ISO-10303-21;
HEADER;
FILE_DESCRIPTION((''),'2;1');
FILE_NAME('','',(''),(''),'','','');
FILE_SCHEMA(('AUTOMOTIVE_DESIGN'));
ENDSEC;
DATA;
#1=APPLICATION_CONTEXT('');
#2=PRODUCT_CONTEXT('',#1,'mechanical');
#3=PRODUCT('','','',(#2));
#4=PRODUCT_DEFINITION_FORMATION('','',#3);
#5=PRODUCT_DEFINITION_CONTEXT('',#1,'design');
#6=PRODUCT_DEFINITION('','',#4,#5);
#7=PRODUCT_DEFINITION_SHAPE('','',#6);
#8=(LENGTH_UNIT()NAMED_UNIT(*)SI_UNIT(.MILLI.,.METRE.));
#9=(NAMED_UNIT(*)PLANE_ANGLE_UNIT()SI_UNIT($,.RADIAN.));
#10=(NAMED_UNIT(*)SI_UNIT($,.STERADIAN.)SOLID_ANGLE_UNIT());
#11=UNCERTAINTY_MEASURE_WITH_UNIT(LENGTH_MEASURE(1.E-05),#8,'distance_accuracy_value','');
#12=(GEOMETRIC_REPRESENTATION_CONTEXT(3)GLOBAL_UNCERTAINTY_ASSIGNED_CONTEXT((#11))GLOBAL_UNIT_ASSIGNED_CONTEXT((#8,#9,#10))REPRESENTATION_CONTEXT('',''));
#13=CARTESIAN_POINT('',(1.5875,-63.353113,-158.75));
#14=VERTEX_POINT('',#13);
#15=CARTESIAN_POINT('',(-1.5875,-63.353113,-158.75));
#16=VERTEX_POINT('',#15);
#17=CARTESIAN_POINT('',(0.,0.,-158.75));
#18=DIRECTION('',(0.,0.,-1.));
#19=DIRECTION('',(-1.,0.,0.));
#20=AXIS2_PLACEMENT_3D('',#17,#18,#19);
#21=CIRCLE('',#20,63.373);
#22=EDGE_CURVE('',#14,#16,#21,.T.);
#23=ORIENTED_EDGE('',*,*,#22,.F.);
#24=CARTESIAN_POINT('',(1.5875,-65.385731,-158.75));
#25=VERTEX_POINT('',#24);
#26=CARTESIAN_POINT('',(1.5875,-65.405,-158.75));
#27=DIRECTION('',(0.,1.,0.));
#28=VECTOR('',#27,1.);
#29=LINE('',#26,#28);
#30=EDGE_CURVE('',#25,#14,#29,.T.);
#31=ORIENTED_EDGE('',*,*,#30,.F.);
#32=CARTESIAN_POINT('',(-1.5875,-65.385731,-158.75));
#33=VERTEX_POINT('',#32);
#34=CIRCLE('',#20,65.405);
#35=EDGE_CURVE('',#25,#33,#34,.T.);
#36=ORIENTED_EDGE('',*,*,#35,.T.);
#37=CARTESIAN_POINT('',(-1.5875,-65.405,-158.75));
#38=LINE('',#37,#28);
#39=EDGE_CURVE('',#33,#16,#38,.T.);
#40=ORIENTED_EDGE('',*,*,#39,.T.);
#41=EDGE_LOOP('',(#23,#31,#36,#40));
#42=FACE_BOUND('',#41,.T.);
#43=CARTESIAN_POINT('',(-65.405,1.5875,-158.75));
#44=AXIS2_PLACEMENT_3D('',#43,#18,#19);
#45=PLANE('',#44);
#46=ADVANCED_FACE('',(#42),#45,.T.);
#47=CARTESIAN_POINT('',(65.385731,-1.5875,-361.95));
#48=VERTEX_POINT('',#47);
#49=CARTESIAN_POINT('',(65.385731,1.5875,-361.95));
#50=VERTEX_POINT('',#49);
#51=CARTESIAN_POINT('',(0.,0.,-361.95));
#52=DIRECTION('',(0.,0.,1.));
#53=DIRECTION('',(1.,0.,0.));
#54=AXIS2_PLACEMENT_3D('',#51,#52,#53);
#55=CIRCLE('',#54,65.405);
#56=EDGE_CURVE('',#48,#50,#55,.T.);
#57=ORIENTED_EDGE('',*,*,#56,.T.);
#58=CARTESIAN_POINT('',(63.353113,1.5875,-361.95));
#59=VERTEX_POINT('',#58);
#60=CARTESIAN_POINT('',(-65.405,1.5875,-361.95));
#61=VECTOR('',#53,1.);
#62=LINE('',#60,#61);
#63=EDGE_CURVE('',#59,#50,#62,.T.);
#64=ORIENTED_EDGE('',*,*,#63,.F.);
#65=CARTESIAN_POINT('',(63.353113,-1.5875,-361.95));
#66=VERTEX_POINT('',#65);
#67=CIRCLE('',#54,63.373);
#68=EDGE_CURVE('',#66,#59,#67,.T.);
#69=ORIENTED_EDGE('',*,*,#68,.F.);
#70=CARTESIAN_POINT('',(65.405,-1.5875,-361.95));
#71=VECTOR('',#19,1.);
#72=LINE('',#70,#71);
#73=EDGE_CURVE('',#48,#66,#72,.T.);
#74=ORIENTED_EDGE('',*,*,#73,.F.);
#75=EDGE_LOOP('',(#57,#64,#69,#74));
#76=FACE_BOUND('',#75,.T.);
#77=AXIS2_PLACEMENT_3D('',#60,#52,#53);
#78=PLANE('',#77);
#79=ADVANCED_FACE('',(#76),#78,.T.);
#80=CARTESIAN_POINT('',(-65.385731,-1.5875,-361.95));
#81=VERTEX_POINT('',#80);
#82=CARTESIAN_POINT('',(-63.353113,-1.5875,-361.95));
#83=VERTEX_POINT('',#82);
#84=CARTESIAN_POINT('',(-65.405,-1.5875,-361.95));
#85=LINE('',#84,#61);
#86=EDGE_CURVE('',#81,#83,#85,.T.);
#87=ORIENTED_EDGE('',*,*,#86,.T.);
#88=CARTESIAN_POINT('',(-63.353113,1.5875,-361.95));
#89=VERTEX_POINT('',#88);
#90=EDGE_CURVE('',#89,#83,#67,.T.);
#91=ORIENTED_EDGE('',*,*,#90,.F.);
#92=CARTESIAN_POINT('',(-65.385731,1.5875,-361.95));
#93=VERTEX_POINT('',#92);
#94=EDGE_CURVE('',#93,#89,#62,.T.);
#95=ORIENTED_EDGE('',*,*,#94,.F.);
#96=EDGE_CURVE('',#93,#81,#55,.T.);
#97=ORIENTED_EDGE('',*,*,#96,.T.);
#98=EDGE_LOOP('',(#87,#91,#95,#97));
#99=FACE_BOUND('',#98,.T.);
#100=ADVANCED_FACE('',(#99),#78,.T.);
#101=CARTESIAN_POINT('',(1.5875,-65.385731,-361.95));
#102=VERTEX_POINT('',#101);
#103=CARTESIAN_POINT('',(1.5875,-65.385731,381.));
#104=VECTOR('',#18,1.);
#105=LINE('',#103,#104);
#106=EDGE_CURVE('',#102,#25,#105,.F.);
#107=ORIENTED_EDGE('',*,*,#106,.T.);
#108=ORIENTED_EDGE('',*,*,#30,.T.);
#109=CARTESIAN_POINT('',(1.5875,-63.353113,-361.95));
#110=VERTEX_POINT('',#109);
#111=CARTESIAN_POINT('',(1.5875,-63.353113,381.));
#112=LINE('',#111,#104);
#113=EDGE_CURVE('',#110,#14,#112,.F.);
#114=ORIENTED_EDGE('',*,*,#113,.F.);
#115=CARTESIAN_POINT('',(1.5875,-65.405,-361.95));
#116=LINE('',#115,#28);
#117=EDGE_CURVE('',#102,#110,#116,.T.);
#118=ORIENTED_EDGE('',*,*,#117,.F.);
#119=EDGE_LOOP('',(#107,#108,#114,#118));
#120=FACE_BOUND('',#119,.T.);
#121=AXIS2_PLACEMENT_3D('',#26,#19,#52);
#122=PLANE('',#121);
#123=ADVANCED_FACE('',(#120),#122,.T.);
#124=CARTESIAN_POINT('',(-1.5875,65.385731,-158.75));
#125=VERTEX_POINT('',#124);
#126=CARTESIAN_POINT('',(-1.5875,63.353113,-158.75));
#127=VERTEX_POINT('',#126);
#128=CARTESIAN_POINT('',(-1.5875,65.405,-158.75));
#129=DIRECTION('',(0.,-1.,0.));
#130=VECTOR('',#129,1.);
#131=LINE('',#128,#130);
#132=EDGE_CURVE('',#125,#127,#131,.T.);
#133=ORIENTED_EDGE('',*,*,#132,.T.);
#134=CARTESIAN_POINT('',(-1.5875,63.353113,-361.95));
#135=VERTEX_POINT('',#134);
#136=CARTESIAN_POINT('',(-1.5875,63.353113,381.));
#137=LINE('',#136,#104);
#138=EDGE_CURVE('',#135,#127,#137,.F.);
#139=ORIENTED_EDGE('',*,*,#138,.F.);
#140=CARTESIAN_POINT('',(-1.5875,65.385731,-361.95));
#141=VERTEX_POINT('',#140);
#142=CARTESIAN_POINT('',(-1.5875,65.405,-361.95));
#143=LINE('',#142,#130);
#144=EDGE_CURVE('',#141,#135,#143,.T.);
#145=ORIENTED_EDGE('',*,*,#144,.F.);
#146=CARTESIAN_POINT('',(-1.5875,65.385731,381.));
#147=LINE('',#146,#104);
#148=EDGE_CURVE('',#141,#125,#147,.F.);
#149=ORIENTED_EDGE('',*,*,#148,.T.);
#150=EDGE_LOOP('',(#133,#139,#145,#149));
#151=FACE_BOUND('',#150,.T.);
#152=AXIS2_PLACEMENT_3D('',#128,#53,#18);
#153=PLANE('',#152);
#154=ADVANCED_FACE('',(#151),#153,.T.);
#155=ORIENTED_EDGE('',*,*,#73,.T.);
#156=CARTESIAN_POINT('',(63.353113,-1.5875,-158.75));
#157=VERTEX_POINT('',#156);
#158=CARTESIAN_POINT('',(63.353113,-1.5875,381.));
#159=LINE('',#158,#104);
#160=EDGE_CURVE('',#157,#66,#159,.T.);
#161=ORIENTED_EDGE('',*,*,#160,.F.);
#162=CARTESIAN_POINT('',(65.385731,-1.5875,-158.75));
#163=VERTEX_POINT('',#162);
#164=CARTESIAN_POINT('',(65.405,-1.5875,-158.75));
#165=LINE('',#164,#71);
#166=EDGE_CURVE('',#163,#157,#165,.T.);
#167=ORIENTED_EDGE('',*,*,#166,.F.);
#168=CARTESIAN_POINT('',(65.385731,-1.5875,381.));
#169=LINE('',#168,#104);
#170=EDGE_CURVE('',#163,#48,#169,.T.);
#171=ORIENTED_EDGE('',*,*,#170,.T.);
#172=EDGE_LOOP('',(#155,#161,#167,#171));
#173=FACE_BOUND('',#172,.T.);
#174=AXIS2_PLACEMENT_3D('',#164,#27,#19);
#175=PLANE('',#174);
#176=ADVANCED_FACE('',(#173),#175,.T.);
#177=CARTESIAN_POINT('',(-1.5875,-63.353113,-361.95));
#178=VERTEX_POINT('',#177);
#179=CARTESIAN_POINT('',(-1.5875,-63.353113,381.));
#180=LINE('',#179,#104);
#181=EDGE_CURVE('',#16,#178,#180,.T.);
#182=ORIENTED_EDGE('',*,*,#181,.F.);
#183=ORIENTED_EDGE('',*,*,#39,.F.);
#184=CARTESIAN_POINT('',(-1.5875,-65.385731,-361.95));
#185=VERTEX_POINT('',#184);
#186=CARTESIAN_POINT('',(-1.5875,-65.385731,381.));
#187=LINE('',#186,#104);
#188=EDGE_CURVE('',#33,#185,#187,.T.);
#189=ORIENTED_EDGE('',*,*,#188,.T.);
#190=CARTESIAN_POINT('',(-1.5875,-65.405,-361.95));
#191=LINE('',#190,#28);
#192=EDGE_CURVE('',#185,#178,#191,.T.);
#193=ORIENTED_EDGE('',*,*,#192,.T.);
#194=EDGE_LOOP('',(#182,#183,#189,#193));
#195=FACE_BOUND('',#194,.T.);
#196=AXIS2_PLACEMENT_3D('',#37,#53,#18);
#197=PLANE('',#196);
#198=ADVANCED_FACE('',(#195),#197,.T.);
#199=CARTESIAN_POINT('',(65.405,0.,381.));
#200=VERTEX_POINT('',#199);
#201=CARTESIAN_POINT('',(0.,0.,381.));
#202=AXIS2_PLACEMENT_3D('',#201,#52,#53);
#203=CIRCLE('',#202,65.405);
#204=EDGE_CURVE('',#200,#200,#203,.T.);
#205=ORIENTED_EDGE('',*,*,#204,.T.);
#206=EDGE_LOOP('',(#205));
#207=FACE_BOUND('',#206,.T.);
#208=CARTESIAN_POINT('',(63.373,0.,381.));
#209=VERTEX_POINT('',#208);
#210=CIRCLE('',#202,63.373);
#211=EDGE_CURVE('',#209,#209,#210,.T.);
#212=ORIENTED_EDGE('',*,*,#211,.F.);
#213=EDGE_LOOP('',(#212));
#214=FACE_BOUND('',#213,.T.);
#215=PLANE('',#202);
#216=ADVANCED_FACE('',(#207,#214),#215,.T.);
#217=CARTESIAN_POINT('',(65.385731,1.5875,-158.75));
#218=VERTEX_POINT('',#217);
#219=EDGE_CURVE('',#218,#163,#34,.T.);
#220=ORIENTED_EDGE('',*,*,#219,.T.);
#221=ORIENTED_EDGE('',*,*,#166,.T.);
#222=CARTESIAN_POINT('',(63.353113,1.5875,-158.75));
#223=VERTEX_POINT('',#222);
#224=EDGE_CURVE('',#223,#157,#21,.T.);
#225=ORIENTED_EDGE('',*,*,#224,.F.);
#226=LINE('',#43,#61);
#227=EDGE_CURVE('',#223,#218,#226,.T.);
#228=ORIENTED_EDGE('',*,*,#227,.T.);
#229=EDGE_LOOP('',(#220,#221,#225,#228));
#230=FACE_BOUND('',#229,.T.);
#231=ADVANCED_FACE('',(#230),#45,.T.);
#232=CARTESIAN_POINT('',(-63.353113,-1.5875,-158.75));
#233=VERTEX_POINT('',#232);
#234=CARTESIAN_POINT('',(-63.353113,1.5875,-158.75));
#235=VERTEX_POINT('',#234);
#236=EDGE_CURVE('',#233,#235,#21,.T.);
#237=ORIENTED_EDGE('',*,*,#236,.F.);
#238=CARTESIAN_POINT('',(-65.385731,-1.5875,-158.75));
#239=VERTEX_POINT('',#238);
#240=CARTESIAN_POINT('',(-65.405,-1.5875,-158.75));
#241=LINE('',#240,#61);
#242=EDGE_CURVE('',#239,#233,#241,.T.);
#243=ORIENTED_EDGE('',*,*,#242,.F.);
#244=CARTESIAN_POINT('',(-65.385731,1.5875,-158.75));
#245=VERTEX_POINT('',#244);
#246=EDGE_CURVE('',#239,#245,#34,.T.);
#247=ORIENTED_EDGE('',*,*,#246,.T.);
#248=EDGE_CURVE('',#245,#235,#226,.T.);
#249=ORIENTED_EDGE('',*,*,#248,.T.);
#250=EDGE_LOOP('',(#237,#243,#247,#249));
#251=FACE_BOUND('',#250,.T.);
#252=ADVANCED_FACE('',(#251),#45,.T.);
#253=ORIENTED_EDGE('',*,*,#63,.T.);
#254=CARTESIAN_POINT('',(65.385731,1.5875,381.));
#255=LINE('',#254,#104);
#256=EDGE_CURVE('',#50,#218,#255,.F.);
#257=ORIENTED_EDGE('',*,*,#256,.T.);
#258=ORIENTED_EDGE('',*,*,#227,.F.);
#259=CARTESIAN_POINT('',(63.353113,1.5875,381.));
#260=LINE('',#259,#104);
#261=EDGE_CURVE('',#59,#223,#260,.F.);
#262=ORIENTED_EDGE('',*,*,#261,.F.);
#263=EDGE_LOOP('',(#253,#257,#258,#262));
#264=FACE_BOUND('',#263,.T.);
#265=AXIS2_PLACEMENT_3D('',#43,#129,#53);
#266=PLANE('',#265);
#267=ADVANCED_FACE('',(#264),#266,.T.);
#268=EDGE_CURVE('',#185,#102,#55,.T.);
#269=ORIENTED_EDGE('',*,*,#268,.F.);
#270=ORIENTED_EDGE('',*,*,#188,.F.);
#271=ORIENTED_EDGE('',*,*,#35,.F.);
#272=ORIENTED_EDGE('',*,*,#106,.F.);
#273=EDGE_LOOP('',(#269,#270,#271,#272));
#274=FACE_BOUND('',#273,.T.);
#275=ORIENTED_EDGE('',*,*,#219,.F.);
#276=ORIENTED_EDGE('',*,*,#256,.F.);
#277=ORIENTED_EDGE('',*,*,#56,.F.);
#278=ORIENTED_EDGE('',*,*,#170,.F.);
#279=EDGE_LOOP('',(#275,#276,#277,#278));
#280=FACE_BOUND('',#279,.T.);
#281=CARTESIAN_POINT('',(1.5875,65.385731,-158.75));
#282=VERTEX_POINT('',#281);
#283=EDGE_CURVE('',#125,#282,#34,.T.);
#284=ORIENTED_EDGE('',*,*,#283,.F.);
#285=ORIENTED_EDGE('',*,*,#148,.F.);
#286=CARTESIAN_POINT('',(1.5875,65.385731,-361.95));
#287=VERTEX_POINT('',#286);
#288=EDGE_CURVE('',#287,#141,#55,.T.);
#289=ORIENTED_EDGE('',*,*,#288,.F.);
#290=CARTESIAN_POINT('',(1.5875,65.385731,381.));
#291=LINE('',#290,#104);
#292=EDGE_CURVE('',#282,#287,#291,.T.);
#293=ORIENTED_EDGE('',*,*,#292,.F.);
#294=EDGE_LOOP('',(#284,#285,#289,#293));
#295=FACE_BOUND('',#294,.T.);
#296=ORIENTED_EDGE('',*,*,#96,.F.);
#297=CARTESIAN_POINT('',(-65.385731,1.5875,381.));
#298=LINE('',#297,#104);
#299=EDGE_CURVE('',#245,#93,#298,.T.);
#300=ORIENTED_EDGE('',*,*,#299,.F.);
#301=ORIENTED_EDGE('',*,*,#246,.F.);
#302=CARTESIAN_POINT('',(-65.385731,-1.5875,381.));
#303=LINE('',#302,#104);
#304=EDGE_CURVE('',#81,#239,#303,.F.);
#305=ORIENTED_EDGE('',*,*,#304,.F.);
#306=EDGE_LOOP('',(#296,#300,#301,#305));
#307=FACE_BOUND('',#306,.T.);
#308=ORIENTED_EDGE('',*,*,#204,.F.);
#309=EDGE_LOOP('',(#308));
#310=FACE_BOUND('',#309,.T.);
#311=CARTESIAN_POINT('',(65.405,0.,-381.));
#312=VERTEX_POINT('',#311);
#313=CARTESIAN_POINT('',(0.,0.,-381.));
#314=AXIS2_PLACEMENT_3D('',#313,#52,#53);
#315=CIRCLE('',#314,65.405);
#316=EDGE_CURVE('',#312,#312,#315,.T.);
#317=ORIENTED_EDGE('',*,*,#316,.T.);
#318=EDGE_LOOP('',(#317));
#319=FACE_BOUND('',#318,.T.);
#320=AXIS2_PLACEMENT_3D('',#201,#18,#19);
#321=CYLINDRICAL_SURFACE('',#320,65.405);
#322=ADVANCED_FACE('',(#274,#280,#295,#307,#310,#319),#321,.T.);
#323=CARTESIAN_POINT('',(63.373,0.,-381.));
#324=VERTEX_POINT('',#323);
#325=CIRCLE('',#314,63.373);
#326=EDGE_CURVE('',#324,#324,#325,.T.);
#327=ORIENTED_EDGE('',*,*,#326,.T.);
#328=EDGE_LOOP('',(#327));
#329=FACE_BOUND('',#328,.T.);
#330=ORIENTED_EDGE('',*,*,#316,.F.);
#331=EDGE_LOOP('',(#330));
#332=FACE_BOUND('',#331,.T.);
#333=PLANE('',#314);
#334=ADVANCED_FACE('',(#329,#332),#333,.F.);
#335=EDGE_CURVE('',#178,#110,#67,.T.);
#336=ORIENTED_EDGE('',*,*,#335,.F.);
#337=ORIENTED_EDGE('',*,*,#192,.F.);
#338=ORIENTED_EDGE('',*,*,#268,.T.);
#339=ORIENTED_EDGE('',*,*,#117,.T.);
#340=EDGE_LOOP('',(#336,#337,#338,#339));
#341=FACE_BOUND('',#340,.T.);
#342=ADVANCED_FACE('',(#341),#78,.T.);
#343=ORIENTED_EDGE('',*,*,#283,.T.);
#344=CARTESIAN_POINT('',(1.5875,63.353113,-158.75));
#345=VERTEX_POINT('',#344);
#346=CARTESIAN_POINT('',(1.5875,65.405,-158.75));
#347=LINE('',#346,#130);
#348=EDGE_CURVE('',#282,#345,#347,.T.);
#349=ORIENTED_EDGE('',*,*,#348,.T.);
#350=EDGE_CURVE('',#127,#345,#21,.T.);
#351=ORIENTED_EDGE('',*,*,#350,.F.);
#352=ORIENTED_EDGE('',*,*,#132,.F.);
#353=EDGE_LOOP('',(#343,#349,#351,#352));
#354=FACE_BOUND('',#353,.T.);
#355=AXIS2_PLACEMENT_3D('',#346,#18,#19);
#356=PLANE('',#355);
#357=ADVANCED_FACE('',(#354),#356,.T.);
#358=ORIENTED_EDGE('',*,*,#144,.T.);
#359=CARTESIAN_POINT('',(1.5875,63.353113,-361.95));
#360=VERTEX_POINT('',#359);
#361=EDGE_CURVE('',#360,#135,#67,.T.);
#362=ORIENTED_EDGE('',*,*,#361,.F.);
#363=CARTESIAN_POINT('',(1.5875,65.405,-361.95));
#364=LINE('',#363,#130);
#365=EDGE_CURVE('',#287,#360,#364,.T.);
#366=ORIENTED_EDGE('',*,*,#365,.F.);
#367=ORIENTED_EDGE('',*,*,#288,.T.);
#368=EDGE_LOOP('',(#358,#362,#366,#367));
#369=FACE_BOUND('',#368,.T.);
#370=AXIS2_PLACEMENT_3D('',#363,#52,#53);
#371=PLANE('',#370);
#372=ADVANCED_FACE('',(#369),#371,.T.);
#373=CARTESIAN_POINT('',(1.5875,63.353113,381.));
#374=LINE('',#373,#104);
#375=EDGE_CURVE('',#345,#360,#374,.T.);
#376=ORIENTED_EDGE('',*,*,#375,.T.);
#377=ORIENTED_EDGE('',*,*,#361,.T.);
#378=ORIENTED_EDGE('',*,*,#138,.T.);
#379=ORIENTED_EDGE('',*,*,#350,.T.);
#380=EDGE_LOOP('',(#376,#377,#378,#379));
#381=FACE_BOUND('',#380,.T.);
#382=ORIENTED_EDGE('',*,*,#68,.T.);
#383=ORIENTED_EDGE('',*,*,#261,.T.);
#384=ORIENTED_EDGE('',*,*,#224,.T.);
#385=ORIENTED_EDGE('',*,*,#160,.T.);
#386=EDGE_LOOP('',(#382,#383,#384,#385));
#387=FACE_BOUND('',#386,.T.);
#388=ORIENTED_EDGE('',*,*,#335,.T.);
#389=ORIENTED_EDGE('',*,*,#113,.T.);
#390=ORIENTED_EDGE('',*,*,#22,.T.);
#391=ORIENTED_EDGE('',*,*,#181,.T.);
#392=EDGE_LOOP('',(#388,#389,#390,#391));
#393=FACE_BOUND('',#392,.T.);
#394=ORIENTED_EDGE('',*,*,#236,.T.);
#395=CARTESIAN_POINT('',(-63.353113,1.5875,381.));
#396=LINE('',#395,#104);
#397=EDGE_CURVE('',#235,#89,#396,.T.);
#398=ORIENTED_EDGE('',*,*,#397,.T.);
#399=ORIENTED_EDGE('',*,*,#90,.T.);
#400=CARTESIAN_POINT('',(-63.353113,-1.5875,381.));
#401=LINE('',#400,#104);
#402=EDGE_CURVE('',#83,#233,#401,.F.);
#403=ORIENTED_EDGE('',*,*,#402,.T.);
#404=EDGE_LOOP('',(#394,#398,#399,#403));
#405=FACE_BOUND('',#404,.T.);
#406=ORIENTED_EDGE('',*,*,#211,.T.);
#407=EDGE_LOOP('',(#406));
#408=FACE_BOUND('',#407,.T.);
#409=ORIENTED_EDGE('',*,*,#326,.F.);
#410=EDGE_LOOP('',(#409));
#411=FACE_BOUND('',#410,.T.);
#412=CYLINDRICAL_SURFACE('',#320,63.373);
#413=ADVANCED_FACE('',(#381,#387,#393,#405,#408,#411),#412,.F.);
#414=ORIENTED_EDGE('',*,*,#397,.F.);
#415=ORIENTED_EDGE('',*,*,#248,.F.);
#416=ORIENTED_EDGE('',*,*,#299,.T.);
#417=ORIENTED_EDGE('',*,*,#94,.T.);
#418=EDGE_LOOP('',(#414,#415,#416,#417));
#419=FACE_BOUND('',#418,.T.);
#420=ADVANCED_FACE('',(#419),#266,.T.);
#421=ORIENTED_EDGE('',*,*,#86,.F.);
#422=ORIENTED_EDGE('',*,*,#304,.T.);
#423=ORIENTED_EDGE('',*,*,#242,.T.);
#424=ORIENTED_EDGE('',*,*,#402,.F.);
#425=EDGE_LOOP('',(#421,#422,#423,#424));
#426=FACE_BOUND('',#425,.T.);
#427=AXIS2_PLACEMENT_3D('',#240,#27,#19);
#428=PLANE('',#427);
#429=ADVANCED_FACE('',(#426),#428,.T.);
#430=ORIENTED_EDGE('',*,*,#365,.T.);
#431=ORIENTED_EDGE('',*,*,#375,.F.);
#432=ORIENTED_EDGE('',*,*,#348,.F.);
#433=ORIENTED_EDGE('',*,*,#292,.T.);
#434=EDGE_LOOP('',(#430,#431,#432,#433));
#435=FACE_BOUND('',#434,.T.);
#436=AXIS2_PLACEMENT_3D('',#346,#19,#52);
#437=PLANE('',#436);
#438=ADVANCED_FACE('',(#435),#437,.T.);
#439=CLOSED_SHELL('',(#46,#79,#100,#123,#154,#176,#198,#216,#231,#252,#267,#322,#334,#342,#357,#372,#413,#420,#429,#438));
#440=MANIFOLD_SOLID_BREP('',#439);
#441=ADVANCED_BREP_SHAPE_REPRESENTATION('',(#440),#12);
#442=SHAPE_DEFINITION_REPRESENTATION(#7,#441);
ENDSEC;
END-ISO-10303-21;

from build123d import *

# Parameters (mm, degrees)
SKETCH1_R           = 65.405
SKETCH1_R_2         = 63.373
BOSS_EXTRUDE1_DEPTH = 381
SKETCH3_W           = 3.175
SKETCH3_H           = 203.2
CUT_EXTRUDE1_DEPTH  = 66.405
CIRPATTERN1_COUNT   = 4


with BuildPart() as part:
    # Sketch1 → Boss-Extrude1 (new body, symmetric)
    with BuildSketch(Plane.XY):
        Circle(SKETCH1_R)
        Circle(SKETCH1_R_2, mode=Mode.SUBTRACT)
    extrude(amount=BOSS_EXTRUDE1_DEPTH, both=True)

    # Sketch3 → Cut-Extrude1 (cut, through all)
    with BuildSketch(Plane(origin=(0, 0, 0), x_dir=(1, 0, 0), z_dir=(0, 1, 0))):
        with Locations((0, 260.35)):
            Rectangle(SKETCH3_W, SKETCH3_H)
    cut_extrude1 = extrude(amount=CUT_EXTRUDE1_DEPTH, mode=Mode.SUBTRACT)

    # CirPattern1: Cut-Extrude1 ×4 about axis
    cirpattern1_axis = Axis((0, 0, 0), (0, 0, 1))
    for i in range(1, CIRPATTERN1_COUNT):
        add(cut_extrude1.rotate(cirpattern1_axis, i * 360 / CIRPATTERN1_COUNT), mode=Mode.SUBTRACT)


solid = part.part
